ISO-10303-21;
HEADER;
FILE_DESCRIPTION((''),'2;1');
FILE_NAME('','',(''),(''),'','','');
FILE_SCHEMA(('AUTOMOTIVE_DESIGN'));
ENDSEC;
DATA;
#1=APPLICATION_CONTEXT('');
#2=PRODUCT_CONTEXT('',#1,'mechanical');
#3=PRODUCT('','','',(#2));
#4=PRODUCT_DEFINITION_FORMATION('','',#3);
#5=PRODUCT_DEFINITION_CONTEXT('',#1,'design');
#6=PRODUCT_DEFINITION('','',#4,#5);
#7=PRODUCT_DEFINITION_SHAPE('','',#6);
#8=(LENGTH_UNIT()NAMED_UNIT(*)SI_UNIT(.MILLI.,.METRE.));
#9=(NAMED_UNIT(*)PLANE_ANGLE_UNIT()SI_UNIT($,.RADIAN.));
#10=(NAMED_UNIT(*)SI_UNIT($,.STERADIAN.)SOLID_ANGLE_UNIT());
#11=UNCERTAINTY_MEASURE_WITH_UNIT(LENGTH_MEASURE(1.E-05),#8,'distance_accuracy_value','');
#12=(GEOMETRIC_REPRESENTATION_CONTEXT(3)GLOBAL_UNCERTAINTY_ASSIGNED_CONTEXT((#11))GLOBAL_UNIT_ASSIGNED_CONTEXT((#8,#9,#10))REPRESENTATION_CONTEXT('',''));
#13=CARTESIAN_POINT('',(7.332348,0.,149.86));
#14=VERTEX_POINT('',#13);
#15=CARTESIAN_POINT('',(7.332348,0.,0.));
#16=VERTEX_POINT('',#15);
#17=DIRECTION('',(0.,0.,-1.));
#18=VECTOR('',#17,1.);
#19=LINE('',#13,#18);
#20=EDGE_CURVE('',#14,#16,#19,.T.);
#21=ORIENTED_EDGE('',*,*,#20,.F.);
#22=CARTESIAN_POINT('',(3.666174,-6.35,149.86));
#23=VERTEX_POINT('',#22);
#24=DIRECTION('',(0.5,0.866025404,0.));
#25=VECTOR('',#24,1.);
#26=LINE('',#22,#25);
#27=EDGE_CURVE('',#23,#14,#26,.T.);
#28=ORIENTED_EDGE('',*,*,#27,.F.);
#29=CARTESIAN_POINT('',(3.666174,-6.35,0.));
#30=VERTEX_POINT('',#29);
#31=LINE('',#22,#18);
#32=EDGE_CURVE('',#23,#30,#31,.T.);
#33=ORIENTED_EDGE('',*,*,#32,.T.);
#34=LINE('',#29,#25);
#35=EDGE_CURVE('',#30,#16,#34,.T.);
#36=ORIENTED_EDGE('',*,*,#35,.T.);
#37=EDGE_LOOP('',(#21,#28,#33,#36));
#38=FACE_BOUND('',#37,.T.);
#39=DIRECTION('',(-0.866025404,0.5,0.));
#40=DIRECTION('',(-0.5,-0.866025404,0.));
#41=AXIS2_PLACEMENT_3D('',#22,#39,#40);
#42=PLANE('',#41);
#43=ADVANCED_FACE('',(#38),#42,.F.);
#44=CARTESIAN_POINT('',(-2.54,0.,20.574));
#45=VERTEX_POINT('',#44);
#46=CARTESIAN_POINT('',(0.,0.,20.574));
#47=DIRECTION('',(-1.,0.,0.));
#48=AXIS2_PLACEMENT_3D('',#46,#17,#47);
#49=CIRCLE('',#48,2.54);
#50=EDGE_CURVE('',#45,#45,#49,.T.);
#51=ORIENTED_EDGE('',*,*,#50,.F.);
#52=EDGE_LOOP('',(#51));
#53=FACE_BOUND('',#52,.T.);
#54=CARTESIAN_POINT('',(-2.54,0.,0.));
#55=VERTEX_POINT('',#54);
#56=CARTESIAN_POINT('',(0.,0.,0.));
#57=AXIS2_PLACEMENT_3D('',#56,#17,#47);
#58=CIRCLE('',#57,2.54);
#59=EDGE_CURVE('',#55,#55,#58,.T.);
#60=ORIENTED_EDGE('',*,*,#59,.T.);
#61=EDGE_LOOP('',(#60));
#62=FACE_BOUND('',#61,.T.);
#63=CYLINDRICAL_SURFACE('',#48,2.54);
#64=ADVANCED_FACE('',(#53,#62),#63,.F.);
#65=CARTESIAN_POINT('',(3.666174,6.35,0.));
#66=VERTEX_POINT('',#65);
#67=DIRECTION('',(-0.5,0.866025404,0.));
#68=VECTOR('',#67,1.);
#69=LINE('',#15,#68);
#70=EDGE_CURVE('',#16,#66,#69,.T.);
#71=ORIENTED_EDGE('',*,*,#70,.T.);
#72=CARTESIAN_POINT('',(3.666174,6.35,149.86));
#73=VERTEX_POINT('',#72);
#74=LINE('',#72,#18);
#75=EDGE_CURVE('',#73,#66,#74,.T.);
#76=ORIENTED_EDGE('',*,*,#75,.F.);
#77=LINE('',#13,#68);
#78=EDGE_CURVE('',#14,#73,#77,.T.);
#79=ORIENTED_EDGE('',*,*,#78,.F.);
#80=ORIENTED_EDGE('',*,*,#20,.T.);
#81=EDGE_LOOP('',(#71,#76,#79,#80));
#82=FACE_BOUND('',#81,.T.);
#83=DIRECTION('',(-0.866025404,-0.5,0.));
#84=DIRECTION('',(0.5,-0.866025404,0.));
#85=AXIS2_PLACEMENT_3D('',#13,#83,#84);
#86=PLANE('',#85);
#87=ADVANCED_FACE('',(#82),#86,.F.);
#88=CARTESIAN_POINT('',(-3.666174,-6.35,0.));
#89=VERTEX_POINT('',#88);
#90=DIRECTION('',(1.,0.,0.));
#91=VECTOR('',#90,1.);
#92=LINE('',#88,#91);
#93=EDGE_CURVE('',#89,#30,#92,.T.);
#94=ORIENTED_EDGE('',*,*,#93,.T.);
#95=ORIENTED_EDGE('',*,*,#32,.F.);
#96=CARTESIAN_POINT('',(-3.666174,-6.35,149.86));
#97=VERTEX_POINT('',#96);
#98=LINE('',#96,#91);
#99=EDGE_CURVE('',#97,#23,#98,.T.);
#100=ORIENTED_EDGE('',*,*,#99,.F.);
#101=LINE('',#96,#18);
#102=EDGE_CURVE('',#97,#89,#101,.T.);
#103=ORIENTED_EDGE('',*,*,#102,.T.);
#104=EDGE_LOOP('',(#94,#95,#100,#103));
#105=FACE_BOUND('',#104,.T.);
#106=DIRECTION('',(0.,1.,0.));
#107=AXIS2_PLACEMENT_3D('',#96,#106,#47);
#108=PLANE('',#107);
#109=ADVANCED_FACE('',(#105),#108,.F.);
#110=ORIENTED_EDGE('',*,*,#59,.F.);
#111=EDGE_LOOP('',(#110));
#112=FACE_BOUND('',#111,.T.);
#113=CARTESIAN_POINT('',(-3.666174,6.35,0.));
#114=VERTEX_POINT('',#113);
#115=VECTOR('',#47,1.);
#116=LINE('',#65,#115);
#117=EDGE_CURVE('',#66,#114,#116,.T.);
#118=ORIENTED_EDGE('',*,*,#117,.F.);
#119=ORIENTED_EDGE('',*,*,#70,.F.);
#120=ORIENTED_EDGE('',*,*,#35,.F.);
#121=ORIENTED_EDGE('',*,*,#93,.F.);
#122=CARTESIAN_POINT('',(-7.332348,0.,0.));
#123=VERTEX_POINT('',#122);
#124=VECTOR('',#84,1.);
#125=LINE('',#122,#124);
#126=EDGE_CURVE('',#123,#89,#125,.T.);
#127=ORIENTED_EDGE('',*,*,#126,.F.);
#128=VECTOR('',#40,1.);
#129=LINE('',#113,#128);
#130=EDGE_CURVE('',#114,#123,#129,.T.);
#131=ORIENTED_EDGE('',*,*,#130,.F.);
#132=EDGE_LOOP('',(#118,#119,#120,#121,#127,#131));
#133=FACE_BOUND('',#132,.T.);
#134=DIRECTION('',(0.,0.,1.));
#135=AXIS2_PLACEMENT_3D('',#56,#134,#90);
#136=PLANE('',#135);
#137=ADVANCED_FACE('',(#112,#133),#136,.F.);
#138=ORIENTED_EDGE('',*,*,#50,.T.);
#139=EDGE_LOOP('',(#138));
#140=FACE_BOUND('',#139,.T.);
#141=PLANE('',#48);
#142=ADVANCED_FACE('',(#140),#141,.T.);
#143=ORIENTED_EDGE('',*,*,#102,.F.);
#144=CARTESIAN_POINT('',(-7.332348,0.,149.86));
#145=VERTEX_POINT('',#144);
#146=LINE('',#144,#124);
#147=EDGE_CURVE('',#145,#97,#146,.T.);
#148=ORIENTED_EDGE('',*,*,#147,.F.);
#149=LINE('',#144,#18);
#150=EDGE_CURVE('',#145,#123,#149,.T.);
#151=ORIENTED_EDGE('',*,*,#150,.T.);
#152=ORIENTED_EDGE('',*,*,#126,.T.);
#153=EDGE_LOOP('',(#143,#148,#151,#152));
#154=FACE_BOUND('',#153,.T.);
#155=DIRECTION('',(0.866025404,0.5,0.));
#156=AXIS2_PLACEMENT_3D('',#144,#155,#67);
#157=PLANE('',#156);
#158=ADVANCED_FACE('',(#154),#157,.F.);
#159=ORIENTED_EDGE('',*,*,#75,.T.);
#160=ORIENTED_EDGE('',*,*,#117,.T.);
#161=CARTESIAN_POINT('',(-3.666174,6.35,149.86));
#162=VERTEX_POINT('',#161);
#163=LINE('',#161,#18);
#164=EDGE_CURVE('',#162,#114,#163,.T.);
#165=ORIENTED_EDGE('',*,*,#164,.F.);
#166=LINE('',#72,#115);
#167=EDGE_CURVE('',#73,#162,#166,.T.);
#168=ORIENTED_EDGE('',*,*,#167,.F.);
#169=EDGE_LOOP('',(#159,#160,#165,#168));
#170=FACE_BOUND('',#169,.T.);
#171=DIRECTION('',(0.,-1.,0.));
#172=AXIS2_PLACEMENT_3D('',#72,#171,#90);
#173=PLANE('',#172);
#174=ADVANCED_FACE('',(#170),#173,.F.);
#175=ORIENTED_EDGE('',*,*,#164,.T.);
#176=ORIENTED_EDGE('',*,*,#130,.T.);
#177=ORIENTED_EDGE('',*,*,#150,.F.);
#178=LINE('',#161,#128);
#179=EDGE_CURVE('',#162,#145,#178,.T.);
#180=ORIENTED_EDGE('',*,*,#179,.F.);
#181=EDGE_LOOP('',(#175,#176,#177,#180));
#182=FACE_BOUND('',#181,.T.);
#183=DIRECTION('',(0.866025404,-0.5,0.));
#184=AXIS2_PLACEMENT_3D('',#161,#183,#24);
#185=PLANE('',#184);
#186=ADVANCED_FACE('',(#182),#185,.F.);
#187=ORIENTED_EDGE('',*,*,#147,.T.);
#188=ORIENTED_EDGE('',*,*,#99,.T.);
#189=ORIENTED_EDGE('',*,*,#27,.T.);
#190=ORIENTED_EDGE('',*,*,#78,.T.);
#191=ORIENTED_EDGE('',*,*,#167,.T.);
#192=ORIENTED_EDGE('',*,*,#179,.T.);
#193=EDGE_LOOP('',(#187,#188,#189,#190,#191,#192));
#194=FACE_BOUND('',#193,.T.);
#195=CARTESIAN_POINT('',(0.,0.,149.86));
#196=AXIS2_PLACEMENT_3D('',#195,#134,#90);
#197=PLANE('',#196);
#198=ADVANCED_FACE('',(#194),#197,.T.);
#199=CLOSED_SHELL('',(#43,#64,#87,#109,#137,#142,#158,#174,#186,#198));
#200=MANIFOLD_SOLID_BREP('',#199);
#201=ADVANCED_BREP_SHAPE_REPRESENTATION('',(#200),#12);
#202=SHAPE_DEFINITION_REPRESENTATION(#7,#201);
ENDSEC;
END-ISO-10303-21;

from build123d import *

# Parameters (mm, degrees)
BOSS_EXTRUDE1_DEPTH = 149.86
SKETCH2_R           = 2.54
CUT_EXTRUDE1_DEPTH  = 20.574


with BuildPart() as part:
    # Sketch1 → Boss-Extrude1 (new body)
    with BuildSketch(Plane.XY):
        Polygon((7.332348419, 0), (3.666174209, 6.35), (-3.666174209, 6.35), (-7.332348419, 0), (-3.666174209, -6.35), (3.666174209, -6.35), align=None)
    extrude(amount=BOSS_EXTRUDE1_DEPTH)

    # Sketch2 → Cut-Extrude1 (cut)
    with BuildSketch(Plane(origin=(0, 0, 0), x_dir=(-1, 0, 0), z_dir=(0, 0, -1))):
        Circle(SKETCH2_R)
    extrude(amount=-CUT_EXTRUDE1_DEPTH, mode=Mode.SUBTRACT)


solid = part.part
